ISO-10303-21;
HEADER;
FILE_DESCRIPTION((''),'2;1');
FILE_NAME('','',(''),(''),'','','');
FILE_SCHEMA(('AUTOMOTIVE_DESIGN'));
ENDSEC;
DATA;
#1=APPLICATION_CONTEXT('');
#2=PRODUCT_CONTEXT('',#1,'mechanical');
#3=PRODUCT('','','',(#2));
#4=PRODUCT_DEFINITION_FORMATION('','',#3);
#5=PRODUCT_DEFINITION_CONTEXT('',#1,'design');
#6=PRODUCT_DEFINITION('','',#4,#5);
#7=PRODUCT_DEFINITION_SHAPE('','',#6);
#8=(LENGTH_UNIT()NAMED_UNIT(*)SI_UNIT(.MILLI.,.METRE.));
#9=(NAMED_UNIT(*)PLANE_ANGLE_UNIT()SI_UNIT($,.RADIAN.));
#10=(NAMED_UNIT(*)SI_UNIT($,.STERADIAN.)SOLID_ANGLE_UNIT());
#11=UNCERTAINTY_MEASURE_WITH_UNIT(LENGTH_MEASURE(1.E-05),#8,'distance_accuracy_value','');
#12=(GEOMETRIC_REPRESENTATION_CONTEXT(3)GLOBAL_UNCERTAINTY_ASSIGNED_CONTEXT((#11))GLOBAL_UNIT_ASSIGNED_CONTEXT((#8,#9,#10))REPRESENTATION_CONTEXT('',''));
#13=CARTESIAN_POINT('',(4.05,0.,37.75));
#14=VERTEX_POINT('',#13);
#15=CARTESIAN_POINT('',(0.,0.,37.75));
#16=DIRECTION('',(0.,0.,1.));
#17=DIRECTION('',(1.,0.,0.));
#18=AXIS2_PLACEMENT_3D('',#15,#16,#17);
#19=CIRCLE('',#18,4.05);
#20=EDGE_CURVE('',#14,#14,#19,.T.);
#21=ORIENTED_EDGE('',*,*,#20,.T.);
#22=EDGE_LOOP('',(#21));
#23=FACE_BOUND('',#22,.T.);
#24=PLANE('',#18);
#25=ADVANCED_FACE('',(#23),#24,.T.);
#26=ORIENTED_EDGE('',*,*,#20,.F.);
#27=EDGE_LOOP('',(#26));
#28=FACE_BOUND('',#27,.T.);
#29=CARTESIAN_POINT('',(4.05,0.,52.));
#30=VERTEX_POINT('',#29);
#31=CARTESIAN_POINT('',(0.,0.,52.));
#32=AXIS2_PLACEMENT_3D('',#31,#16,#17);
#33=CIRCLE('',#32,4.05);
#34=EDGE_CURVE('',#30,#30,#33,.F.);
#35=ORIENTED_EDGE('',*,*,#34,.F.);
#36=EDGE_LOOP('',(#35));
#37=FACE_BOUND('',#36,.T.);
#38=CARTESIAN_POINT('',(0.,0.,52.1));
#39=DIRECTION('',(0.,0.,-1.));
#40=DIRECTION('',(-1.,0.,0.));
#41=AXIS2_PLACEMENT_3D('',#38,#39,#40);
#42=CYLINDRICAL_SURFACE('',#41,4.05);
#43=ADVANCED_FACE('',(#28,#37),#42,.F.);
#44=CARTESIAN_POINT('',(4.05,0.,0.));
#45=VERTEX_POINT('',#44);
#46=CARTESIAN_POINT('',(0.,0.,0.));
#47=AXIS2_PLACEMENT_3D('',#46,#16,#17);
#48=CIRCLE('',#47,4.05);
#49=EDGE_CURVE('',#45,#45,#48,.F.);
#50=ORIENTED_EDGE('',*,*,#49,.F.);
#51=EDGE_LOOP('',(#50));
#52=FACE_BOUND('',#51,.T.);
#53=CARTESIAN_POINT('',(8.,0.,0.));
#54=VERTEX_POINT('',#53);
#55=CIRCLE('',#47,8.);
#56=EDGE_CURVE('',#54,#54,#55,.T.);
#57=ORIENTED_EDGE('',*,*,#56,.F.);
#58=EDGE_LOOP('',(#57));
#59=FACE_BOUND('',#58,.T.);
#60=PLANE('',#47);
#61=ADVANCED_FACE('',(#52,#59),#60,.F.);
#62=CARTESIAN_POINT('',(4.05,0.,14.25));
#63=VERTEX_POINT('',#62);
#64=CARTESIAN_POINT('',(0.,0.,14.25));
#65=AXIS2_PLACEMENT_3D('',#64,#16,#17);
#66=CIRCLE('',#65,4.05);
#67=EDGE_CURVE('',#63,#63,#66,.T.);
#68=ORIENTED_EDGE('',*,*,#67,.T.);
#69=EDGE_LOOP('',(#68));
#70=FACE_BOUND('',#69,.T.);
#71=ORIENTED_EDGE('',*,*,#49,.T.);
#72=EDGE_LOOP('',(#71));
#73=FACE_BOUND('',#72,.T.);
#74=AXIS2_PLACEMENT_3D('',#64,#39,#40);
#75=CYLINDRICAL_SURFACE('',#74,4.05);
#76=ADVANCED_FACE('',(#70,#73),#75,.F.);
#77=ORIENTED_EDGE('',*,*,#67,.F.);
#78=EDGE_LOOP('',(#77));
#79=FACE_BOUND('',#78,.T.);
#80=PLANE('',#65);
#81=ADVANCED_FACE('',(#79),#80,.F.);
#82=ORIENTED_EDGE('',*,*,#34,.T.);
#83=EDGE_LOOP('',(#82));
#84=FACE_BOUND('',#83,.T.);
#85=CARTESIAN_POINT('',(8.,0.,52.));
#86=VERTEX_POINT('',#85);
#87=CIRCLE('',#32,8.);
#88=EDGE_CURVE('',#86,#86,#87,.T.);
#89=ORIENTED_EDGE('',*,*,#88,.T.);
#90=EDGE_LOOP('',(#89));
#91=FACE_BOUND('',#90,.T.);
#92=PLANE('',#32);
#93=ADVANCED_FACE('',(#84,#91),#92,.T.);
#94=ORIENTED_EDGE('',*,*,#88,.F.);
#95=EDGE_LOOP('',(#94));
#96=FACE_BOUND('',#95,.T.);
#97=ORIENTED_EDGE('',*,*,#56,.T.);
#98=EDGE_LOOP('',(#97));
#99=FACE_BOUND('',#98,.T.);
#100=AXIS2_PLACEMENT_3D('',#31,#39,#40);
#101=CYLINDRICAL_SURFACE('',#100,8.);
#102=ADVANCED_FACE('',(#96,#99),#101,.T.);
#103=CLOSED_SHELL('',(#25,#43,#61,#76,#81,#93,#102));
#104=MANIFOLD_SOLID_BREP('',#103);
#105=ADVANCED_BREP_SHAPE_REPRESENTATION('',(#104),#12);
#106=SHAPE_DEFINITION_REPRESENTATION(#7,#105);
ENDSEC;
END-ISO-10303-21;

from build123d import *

# Parameters (mm, degrees)
S01_SOLID_POST_BLANK_16_MM_R             = 8
F_01_SOLID_POST_BLANK_16_MM_DEPTH        = 52
F_02_START                               = -0.1
S02_REAR_M6_HEAT_SET_INSERT_SEAT_R       = 4.05
F_02_REAR_M6_HEAT_SET_INSERT_SEAT_DEPTH  = 14.35
F_03_START                               = 37.75
S03_FRONT_M6_HEAT_SET_INSERT_SEAT_R      = 4.05
F_03_FRONT_M6_HEAT_SET_INSERT_SEAT_DEPTH = 14.35


with BuildPart() as part:
    # S01 - Solid post blank - 16 mm → 01 - Solid post blank - 16 mm (new body)
    with BuildSketch(Plane.XY):
        Circle(S01_SOLID_POST_BLANK_16_MM_R)
    extrude(amount=F_01_SOLID_POST_BLANK_16_MM_DEPTH)

    # S02 - Rear M6 heat-set insert seat → 02 - Rear M6 heat-set insert seat (cut)
    with BuildSketch(Plane.XY.offset(F_02_START)):
        Circle(S02_REAR_M6_HEAT_SET_INSERT_SEAT_R)
    extrude(amount=F_02_REAR_M6_HEAT_SET_INSERT_SEAT_DEPTH, mode=Mode.SUBTRACT)

    # S03 - Front M6 heat-set insert seat → 03 - Front M6 heat-set insert seat (cut)
    with BuildSketch(Plane.XY.offset(F_03_START)):
        Circle(S03_FRONT_M6_HEAT_SET_INSERT_SEAT_R)
    extrude(amount=F_03_FRONT_M6_HEAT_SET_INSERT_SEAT_DEPTH, mode=Mode.SUBTRACT)


solid = part.part
